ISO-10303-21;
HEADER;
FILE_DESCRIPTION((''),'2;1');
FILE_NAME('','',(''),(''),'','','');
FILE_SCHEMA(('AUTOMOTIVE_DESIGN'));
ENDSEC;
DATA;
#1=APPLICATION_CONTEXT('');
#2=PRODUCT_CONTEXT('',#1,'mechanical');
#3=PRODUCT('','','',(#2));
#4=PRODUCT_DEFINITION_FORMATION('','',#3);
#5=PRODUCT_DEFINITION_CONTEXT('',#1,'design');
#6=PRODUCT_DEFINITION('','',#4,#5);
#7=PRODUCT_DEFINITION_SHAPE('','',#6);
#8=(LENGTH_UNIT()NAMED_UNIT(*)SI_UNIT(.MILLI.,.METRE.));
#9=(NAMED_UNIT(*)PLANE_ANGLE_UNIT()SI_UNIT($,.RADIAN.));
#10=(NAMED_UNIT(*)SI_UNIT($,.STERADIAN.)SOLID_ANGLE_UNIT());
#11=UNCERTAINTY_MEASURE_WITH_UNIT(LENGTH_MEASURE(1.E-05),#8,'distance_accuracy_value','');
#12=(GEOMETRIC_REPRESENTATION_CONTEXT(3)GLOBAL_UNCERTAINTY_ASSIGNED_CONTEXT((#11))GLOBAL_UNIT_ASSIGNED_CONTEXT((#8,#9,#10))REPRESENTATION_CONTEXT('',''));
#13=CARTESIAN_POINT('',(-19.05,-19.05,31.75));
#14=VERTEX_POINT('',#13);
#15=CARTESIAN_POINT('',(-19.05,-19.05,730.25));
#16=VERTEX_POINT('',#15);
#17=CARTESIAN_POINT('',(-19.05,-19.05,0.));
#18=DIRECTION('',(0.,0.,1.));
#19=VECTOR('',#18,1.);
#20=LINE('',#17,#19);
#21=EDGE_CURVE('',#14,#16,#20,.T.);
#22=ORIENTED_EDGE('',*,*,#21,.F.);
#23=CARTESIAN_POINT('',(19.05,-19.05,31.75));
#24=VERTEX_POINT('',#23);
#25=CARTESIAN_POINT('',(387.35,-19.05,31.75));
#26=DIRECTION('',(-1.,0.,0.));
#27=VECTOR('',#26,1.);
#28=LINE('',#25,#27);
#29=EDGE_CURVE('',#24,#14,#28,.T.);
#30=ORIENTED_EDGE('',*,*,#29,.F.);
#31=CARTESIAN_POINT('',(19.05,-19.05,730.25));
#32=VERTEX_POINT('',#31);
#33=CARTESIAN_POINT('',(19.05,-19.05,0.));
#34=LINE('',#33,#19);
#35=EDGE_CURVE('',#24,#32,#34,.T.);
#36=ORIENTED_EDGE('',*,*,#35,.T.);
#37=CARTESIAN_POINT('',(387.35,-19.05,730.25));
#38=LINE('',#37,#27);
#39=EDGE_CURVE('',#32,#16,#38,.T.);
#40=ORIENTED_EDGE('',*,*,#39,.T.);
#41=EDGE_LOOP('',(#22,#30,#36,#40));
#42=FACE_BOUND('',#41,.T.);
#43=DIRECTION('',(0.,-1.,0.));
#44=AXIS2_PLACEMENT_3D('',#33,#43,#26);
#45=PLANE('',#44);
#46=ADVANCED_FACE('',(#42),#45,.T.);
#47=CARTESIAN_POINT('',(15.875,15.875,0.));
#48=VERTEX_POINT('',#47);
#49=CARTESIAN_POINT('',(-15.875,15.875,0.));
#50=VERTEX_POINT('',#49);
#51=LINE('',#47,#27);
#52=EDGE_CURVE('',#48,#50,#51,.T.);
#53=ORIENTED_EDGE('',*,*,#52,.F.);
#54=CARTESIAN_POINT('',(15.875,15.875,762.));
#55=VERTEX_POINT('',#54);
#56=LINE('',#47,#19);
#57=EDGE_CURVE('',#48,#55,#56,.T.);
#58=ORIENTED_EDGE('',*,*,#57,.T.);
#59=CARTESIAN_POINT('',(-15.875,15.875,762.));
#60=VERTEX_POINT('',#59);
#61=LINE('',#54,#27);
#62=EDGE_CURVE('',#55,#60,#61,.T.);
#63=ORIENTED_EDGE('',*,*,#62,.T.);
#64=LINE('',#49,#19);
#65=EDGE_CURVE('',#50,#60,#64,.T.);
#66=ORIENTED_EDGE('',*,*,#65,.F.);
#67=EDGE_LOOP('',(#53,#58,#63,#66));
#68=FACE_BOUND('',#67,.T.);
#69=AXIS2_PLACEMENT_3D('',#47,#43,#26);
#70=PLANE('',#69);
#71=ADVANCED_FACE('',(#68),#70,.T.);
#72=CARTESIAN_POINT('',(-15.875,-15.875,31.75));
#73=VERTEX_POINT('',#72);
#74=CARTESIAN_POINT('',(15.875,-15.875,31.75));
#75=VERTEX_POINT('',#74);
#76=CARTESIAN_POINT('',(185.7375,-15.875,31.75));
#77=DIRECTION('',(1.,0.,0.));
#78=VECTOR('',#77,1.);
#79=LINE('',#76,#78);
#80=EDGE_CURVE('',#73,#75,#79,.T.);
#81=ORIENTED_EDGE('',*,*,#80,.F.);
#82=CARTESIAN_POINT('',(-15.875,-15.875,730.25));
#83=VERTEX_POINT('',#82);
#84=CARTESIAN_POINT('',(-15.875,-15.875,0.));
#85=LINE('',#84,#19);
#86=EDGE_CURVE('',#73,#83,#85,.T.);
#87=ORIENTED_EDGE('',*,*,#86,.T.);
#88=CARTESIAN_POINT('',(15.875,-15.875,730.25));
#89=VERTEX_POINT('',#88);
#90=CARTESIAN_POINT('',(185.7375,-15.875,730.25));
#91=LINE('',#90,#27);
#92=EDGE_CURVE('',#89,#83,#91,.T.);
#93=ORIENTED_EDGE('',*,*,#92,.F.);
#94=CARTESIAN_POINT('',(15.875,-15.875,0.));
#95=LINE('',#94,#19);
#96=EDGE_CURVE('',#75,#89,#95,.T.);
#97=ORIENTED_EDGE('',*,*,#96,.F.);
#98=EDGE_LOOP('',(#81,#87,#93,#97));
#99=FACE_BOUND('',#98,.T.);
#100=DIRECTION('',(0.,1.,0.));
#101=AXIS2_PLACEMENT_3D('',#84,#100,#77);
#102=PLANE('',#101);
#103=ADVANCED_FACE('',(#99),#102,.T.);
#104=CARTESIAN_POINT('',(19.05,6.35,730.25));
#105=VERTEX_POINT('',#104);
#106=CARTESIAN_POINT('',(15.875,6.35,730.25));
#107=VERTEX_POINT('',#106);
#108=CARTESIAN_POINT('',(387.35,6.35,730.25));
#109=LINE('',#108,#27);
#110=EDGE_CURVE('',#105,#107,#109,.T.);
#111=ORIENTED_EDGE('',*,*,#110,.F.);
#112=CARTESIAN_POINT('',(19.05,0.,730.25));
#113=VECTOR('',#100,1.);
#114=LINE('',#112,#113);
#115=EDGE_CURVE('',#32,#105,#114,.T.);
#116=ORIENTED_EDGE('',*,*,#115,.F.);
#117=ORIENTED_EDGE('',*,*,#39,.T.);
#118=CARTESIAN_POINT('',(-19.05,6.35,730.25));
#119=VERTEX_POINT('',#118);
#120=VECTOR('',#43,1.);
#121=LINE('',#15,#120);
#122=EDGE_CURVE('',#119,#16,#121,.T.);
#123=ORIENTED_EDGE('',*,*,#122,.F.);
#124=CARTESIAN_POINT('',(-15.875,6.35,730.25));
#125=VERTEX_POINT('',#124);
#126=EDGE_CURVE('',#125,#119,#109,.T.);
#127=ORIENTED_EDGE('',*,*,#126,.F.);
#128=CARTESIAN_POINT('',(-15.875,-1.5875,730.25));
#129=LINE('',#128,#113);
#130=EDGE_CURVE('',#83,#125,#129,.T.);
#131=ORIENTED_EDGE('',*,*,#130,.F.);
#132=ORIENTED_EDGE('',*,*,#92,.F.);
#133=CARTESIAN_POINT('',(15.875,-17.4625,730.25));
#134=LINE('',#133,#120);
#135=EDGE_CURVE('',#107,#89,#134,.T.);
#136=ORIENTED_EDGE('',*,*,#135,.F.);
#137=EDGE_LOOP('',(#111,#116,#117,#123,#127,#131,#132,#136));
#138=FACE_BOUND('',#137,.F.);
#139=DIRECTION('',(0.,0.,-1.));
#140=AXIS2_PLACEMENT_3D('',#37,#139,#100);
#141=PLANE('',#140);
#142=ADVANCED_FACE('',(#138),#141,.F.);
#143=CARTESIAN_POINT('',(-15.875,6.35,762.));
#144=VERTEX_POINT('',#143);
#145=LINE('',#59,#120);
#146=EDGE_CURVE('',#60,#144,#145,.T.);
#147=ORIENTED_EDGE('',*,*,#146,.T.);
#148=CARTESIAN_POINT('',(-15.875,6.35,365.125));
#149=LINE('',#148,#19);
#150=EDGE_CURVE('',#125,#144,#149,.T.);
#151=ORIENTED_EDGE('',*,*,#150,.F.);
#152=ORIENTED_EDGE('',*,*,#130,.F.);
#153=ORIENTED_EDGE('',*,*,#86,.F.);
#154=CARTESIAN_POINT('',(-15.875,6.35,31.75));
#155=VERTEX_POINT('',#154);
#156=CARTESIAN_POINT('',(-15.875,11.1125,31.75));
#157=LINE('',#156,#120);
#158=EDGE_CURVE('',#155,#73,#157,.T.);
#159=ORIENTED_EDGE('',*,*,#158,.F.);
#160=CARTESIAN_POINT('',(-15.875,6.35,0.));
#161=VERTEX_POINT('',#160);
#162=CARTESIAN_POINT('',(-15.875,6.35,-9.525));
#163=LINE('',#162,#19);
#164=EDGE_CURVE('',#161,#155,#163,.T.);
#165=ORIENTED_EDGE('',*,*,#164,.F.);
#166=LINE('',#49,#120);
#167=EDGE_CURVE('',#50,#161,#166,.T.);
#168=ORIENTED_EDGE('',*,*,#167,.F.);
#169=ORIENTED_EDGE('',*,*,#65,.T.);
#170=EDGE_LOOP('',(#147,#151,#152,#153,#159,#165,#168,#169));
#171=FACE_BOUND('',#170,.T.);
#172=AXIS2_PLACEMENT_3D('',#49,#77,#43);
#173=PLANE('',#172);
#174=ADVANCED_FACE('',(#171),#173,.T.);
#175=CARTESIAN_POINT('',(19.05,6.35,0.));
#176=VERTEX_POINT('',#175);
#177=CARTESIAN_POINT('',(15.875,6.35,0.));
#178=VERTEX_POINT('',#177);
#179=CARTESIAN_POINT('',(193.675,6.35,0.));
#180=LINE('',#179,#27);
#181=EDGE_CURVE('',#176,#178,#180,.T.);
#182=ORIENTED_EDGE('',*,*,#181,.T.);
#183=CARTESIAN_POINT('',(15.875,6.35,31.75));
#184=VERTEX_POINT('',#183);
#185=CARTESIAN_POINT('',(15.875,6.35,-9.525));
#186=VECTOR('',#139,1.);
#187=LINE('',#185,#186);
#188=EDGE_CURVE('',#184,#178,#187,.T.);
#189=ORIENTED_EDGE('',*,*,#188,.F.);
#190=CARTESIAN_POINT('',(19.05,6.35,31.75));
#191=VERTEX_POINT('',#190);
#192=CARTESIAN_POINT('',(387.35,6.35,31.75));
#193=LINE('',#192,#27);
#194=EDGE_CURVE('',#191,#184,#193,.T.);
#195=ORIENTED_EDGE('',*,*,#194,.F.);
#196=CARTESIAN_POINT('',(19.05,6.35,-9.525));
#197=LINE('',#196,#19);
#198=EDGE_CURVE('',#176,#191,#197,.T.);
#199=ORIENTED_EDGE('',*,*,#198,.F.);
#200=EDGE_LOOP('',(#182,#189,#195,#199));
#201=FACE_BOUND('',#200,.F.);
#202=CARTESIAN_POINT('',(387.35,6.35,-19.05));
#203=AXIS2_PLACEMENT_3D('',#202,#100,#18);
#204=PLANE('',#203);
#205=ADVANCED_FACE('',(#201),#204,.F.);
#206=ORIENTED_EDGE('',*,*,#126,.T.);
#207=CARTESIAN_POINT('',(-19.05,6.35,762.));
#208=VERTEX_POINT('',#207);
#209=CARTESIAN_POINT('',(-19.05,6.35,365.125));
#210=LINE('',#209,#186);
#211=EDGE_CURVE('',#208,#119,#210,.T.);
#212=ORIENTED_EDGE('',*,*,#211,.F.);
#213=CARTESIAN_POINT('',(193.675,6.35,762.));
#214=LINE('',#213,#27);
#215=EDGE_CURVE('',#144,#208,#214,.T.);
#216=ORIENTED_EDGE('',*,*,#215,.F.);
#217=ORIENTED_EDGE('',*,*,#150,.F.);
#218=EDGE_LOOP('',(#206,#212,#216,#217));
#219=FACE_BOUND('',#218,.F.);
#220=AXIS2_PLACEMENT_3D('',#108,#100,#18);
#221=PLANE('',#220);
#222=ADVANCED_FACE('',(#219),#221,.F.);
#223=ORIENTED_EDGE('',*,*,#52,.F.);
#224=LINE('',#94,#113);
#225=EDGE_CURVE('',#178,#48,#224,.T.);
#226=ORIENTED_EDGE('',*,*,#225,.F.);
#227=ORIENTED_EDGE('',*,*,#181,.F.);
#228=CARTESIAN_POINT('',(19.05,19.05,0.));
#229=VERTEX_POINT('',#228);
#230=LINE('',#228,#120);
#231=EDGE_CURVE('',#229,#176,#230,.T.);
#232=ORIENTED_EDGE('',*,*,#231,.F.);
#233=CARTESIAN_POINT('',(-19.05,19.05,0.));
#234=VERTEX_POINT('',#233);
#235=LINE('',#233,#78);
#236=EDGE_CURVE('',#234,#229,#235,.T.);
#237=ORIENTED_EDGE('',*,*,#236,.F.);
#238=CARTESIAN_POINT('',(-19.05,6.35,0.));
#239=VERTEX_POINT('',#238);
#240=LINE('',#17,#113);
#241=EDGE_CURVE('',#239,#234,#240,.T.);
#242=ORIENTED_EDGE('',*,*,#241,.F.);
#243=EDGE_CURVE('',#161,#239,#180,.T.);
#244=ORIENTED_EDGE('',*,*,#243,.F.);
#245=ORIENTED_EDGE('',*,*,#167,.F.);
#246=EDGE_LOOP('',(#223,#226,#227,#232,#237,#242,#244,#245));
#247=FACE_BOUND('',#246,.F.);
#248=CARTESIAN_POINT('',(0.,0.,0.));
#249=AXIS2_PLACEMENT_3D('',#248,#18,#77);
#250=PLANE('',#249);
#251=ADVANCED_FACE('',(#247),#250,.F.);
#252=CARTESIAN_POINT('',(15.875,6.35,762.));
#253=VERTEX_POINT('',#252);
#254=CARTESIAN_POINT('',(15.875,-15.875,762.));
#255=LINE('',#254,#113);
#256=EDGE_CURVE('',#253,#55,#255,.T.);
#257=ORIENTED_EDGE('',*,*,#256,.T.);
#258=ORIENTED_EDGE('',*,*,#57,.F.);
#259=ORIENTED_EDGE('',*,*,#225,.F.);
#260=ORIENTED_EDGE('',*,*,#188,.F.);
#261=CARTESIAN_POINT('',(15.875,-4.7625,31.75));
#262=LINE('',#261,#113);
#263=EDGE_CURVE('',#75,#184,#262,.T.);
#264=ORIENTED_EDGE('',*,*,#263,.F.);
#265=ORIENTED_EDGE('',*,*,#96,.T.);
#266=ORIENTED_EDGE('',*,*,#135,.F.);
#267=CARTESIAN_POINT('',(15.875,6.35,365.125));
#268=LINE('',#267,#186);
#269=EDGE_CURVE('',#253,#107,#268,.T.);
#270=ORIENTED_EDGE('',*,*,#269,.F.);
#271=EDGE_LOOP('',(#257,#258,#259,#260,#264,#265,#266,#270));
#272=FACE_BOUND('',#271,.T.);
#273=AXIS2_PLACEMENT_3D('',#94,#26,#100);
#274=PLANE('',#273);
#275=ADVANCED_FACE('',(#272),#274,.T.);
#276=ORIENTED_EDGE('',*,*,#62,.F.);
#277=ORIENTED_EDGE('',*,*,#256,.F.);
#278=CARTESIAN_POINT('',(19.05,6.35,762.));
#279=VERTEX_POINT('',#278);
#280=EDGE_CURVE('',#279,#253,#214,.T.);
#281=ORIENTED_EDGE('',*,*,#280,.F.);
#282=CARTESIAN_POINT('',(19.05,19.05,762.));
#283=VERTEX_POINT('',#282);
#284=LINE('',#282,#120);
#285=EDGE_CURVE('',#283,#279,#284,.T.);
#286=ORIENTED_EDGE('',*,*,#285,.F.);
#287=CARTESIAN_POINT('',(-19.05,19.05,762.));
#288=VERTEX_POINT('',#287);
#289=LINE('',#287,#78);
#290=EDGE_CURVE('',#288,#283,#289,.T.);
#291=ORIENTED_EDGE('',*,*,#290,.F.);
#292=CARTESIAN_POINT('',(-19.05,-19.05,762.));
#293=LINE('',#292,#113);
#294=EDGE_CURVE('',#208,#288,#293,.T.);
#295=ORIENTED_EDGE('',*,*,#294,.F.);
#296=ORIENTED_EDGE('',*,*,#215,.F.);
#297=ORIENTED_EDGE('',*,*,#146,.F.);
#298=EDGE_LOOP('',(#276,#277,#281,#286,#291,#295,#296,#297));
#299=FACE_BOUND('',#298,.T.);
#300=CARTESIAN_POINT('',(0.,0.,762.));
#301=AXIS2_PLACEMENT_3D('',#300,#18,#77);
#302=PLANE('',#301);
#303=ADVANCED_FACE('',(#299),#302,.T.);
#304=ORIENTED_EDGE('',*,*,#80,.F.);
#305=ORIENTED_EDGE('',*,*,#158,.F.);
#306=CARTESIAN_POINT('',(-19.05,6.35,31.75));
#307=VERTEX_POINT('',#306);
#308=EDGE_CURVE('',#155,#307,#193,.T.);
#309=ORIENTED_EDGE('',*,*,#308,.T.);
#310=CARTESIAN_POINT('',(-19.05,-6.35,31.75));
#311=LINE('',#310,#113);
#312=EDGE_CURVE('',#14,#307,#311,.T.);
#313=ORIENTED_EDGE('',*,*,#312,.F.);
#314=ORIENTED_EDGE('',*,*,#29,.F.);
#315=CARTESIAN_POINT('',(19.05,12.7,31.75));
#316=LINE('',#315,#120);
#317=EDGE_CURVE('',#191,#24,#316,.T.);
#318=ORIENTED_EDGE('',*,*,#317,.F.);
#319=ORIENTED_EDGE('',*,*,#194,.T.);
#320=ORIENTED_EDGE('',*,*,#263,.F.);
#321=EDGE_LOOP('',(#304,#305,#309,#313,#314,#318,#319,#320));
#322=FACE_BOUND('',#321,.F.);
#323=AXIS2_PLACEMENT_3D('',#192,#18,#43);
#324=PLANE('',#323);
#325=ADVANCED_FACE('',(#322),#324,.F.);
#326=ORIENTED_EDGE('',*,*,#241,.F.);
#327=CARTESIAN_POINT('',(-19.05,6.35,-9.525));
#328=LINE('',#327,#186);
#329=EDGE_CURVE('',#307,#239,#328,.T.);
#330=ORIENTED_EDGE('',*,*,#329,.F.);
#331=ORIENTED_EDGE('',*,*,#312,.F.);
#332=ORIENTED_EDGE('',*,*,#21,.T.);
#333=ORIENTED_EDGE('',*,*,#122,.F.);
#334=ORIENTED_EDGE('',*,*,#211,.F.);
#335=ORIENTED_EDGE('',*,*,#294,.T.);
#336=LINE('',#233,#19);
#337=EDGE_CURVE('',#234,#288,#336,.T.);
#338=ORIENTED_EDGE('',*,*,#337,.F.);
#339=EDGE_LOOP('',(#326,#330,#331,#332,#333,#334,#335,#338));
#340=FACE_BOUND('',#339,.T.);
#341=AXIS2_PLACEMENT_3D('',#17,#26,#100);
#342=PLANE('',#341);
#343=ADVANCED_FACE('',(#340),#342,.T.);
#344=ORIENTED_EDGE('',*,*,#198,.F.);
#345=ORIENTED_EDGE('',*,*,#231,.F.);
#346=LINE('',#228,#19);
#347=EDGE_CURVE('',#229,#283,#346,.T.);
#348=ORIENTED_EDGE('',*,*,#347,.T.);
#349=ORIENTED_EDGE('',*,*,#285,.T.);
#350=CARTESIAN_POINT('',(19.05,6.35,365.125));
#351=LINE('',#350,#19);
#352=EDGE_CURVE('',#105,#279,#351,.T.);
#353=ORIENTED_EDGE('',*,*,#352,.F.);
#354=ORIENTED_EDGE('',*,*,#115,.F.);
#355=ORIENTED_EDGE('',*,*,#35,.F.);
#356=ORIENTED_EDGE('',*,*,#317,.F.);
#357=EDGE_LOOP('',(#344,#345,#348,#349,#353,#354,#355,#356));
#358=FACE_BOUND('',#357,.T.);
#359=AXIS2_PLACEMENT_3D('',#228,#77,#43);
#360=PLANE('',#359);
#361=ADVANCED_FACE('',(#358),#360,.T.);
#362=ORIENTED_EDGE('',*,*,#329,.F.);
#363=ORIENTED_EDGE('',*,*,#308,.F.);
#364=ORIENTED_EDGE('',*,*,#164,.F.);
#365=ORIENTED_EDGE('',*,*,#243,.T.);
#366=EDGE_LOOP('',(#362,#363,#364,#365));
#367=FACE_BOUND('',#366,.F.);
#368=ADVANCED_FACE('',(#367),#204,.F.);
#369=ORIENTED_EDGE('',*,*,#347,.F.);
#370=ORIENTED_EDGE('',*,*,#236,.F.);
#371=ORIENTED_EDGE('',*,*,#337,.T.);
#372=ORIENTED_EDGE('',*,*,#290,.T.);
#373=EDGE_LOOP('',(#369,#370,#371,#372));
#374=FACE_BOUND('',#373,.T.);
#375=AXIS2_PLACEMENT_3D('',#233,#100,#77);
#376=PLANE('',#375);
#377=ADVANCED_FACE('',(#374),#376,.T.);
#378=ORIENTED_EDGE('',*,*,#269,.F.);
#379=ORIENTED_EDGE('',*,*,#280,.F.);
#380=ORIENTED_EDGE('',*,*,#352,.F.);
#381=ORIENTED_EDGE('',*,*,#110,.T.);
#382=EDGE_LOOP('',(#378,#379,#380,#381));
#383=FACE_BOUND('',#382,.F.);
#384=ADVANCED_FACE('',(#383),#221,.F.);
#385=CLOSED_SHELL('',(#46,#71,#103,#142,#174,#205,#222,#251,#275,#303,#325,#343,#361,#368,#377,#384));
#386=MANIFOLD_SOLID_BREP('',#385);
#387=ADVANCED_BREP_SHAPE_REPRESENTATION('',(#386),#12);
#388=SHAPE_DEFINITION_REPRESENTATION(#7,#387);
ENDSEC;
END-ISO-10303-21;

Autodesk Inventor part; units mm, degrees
ref_plane "Start Plane" through (0, 0, 0) normal (0, 0, 1) x (1, 0, 0)
ref_plane "End Plane" through (0, 0, 762) normal (0, 0, 1) x (1, 0, 0)
sketch "Sketch" plane through (0, 0, 0) normal (0, 0, 1) x (1, 0, 0)
  line L0 (-19.05, 19.05) -> (19.05, 19.05)
  line L1 (19.05, 19.05) -> (19.05, -19.05)
  line L2 (19.05, -19.05) -> (-19.05, -19.05)
  line L3 (-19.05, -19.05) -> (-19.05, 19.05)
  line L4 (15.875, 15.875) -> (-15.875, 15.875)
  line L5 (-15.875, 15.875) -> (-15.875, -15.875)
  line L6 (-15.875, -15.875) -> (15.875, -15.875)
  line L7 (15.875, -15.875) -> (15.875, 15.875)
  point P0 (0, 0)
  point P1 (0, 19.05)
  point P2 (-19.05, 0)
  dimension "width" = 38.1
  dimension "d1" = 3.175
extrude "Body" add sketch "Sketch" along normal up to surface (762 mm away) from surface at 0
sketch "Sketch4" plane through (0, 0, 0) normal (0, 0, 1) x (1, 0, 0)
  line L0 (0, 0) -> (10, 0)
ref_plane "Work Plane4" through (0, 0, 0) normal (0, -1, 0) x (1, 0, 0)
sketch "Sketch5" plane through (0, 0, 0) normal (0, -1, 0) x (1, 0, 0)
  line L0 (-2, 0) -> (12, 0)
  line L1 (-2, 762) -> (12, 762)
  dimension "d9" = 762
ref_plane "Work Plane5" through (387.35, -25.4, 0) normal (1, 0, 0) x (0, 0, -1)
ref_plane "Work Plane6" through (-742.95, -25.4, 762) normal (-1, 0, 0) x (0, 0, 1)
ref_plane "Work Plane7" through (-177.8, -6.35, 755.65) normal (-1, 0, 0) x (0, 0, 1)
sketch "Sketch6" plane through (-177.8, -6.35, 755.65) normal (-1, 0, 0) x (0, 0, 1)
  line L0 (-25.4, 12.7) -> (25.4, 12.7)
  line L1 (25.4, 12.7) -> (25.4, -12.7)
  line L2 (25.4, -12.7) -> (-25.4, -12.7)
  line L3 (-25.4, -12.7) -> (-25.4, 12.7)
  line L4 (22.225, 9.525) -> (-22.225, 9.525)
  line L5 (-22.225, 9.525) -> (-22.225, -9.525)
  line L6 (-22.225, -9.525) -> (22.225, -9.525)
  line L7 (22.225, -9.525) -> (22.225, 9.525)
extrude "Extrusion3" cut sketch "Sketch6" along normal up to surface (1130.3 mm away) from surface at -565.15 contours L0 L1 L2 L3 | L7 L6 L5 L4
ref_plane "Work Plane8" through (387.35, -25.4, 0) normal (1, 0, 0) x (0, 0, -1)
ref_plane "Work Plane9" through (-742.95, -25.4, 762) normal (-1, 0, 0) x (0, 0, 1)
ref_plane "Work Plane10" through (-177.8, -6.35, 6.35) normal (-1, 0, 0) x (0, 0, 1)
sketch "Sketch7" plane through (-177.8, -6.35, 6.35) normal (-1, 0, 0) x (0, 0, 1)
  line L0 (-25.4, 12.7) -> (25.4, 12.7)
  line L1 (25.4, 12.7) -> (25.4, -12.7)
  line L2 (25.4, -12.7) -> (-25.4, -12.7)
  line L3 (-25.4, -12.7) -> (-25.4, 12.7)
  line L4 (22.225, 9.525) -> (-22.225, 9.525)
  line L5 (-22.225, 9.525) -> (-22.225, -9.525)
  line L6 (-22.225, -9.525) -> (22.225, -9.525)
  line L7 (22.225, -9.525) -> (22.225, 9.525)
extrude "Extrusion4" cut sketch "Sketch7" along normal up to surface (1130.3 mm away) from surface at -565.15 contours L0 L1 L2 L3 | L7 L6 L5 L4
equation "\"G_OFFSET_START\" = 0"
equation "\"G_OFFSET_END\" = 0"
equation "\"d5\" = length + G_OFFSET_END"
equation "\"G_L\" = 762"
equation "\"length\" = 762"
properties part number "1.5x1.5x.125 Tube" material "Aluminum-6061"
